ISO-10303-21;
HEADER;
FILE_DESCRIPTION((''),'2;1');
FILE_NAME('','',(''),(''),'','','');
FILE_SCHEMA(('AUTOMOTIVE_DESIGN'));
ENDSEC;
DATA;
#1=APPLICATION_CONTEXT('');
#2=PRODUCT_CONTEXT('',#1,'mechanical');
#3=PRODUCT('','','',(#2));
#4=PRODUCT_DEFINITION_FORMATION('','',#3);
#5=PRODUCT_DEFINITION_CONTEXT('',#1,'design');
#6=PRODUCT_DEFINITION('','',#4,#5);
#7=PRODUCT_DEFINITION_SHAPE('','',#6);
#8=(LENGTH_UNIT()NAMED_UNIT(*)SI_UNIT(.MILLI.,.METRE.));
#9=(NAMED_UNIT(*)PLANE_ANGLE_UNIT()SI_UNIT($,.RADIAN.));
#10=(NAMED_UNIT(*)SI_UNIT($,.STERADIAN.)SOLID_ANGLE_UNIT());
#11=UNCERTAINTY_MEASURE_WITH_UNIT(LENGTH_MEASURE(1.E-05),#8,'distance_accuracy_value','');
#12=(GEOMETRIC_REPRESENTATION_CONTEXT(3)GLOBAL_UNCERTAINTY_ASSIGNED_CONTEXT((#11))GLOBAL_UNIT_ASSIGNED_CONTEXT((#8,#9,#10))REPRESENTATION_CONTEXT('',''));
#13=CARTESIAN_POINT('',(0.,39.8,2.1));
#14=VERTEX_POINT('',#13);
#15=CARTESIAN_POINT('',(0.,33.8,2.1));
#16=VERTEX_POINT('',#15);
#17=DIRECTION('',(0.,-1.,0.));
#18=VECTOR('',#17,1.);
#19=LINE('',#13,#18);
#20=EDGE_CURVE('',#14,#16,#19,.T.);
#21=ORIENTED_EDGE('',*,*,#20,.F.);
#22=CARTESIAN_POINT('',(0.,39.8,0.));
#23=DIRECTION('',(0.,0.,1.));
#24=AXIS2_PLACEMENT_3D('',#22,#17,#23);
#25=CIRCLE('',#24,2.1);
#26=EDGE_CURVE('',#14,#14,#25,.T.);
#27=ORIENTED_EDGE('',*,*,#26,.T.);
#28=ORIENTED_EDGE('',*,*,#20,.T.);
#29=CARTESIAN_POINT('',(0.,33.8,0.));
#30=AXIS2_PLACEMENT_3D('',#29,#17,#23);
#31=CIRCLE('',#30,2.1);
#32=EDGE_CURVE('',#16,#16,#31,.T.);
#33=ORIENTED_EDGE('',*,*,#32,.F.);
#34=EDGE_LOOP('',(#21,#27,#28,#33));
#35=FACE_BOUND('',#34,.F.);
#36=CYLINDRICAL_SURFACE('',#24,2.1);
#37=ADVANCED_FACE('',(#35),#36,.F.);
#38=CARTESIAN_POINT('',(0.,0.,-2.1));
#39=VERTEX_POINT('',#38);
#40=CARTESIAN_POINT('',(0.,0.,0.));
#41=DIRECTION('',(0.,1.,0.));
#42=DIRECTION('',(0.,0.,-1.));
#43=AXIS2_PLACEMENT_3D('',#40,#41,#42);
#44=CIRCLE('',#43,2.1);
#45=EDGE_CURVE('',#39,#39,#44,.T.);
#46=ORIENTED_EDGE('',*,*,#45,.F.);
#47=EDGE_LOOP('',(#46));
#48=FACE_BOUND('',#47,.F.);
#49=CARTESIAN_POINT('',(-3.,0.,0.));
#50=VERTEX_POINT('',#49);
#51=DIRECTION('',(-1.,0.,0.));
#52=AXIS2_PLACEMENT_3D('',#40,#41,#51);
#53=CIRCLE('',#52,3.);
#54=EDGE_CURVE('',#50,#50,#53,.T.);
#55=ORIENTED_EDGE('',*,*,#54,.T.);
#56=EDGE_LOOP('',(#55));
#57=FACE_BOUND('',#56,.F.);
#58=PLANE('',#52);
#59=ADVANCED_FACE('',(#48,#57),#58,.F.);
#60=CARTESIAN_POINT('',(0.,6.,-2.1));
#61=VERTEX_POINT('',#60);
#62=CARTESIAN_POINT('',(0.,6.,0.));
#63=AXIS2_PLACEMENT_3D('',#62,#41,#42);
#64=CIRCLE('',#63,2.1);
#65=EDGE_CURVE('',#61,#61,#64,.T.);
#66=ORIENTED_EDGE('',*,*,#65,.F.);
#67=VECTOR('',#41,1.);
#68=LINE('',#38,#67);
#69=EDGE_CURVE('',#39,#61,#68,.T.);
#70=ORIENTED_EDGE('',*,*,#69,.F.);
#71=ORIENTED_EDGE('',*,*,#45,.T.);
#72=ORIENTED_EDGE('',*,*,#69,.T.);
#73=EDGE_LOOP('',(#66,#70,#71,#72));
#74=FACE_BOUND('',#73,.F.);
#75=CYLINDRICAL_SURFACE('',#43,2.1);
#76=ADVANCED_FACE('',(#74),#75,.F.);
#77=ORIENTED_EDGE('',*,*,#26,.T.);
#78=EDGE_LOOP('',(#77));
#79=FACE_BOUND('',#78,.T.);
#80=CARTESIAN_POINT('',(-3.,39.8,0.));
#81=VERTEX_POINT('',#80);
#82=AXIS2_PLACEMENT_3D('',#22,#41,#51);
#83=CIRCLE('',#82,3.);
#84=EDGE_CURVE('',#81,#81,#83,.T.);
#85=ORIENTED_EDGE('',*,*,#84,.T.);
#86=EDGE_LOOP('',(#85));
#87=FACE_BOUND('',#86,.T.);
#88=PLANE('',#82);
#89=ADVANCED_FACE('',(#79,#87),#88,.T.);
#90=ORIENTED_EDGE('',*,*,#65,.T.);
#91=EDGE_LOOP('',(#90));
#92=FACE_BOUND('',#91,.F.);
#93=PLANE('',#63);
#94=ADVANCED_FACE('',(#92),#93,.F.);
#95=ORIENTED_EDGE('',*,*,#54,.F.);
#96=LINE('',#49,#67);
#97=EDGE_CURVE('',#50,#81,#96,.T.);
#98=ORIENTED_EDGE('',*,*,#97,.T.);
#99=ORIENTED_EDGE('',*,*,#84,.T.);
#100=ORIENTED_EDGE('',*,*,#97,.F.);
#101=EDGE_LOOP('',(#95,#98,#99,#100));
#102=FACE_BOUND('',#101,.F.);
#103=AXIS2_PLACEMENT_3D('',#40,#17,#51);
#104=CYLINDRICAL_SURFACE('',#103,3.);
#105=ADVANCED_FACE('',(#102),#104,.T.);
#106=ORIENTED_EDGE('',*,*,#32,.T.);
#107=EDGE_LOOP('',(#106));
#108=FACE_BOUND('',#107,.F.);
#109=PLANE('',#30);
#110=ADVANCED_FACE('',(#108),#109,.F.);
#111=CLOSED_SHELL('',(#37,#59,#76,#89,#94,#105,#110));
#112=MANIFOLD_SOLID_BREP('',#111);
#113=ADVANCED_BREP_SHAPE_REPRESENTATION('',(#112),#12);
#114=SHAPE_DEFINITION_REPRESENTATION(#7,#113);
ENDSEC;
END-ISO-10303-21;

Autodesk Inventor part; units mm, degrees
ref_plane "YZ Plane" through (0, 0, 0) normal (1, 0, 0) x (0, 1, 0)
ref_plane "XZ Plane" through (0, 0, 0) normal (0, 1, 0) x (-1, 0, 0)
ref_plane "XY Plane" through (0, 0, 0) normal (0, 0, 1) x (1, 0, 0)
sketch "Sketch1" plane through (0, 0, 0) normal (0, 1, 0) x (-1, 0, 0)
  circle A0 centre (0, 0) radius 3
  dimension "d0" = 6
extrude "Extrusion1" add sketch "Sketch1" along normal blind 39.8
hole "Hole1" at (0, 0, 0) direction (0, 1, 0) diameter 4.2 depth 6
sketch "Sketch2" plane through (0, 39.8, 0) normal (0, 1, 0) x (1, 0, 0)
  point P0 (0, 0)
hole "Hole2" at (0, 39.8, 0) direction (0, -1, 0) diameter 4.2 depth 6
properties part number "Dribbler Support"
